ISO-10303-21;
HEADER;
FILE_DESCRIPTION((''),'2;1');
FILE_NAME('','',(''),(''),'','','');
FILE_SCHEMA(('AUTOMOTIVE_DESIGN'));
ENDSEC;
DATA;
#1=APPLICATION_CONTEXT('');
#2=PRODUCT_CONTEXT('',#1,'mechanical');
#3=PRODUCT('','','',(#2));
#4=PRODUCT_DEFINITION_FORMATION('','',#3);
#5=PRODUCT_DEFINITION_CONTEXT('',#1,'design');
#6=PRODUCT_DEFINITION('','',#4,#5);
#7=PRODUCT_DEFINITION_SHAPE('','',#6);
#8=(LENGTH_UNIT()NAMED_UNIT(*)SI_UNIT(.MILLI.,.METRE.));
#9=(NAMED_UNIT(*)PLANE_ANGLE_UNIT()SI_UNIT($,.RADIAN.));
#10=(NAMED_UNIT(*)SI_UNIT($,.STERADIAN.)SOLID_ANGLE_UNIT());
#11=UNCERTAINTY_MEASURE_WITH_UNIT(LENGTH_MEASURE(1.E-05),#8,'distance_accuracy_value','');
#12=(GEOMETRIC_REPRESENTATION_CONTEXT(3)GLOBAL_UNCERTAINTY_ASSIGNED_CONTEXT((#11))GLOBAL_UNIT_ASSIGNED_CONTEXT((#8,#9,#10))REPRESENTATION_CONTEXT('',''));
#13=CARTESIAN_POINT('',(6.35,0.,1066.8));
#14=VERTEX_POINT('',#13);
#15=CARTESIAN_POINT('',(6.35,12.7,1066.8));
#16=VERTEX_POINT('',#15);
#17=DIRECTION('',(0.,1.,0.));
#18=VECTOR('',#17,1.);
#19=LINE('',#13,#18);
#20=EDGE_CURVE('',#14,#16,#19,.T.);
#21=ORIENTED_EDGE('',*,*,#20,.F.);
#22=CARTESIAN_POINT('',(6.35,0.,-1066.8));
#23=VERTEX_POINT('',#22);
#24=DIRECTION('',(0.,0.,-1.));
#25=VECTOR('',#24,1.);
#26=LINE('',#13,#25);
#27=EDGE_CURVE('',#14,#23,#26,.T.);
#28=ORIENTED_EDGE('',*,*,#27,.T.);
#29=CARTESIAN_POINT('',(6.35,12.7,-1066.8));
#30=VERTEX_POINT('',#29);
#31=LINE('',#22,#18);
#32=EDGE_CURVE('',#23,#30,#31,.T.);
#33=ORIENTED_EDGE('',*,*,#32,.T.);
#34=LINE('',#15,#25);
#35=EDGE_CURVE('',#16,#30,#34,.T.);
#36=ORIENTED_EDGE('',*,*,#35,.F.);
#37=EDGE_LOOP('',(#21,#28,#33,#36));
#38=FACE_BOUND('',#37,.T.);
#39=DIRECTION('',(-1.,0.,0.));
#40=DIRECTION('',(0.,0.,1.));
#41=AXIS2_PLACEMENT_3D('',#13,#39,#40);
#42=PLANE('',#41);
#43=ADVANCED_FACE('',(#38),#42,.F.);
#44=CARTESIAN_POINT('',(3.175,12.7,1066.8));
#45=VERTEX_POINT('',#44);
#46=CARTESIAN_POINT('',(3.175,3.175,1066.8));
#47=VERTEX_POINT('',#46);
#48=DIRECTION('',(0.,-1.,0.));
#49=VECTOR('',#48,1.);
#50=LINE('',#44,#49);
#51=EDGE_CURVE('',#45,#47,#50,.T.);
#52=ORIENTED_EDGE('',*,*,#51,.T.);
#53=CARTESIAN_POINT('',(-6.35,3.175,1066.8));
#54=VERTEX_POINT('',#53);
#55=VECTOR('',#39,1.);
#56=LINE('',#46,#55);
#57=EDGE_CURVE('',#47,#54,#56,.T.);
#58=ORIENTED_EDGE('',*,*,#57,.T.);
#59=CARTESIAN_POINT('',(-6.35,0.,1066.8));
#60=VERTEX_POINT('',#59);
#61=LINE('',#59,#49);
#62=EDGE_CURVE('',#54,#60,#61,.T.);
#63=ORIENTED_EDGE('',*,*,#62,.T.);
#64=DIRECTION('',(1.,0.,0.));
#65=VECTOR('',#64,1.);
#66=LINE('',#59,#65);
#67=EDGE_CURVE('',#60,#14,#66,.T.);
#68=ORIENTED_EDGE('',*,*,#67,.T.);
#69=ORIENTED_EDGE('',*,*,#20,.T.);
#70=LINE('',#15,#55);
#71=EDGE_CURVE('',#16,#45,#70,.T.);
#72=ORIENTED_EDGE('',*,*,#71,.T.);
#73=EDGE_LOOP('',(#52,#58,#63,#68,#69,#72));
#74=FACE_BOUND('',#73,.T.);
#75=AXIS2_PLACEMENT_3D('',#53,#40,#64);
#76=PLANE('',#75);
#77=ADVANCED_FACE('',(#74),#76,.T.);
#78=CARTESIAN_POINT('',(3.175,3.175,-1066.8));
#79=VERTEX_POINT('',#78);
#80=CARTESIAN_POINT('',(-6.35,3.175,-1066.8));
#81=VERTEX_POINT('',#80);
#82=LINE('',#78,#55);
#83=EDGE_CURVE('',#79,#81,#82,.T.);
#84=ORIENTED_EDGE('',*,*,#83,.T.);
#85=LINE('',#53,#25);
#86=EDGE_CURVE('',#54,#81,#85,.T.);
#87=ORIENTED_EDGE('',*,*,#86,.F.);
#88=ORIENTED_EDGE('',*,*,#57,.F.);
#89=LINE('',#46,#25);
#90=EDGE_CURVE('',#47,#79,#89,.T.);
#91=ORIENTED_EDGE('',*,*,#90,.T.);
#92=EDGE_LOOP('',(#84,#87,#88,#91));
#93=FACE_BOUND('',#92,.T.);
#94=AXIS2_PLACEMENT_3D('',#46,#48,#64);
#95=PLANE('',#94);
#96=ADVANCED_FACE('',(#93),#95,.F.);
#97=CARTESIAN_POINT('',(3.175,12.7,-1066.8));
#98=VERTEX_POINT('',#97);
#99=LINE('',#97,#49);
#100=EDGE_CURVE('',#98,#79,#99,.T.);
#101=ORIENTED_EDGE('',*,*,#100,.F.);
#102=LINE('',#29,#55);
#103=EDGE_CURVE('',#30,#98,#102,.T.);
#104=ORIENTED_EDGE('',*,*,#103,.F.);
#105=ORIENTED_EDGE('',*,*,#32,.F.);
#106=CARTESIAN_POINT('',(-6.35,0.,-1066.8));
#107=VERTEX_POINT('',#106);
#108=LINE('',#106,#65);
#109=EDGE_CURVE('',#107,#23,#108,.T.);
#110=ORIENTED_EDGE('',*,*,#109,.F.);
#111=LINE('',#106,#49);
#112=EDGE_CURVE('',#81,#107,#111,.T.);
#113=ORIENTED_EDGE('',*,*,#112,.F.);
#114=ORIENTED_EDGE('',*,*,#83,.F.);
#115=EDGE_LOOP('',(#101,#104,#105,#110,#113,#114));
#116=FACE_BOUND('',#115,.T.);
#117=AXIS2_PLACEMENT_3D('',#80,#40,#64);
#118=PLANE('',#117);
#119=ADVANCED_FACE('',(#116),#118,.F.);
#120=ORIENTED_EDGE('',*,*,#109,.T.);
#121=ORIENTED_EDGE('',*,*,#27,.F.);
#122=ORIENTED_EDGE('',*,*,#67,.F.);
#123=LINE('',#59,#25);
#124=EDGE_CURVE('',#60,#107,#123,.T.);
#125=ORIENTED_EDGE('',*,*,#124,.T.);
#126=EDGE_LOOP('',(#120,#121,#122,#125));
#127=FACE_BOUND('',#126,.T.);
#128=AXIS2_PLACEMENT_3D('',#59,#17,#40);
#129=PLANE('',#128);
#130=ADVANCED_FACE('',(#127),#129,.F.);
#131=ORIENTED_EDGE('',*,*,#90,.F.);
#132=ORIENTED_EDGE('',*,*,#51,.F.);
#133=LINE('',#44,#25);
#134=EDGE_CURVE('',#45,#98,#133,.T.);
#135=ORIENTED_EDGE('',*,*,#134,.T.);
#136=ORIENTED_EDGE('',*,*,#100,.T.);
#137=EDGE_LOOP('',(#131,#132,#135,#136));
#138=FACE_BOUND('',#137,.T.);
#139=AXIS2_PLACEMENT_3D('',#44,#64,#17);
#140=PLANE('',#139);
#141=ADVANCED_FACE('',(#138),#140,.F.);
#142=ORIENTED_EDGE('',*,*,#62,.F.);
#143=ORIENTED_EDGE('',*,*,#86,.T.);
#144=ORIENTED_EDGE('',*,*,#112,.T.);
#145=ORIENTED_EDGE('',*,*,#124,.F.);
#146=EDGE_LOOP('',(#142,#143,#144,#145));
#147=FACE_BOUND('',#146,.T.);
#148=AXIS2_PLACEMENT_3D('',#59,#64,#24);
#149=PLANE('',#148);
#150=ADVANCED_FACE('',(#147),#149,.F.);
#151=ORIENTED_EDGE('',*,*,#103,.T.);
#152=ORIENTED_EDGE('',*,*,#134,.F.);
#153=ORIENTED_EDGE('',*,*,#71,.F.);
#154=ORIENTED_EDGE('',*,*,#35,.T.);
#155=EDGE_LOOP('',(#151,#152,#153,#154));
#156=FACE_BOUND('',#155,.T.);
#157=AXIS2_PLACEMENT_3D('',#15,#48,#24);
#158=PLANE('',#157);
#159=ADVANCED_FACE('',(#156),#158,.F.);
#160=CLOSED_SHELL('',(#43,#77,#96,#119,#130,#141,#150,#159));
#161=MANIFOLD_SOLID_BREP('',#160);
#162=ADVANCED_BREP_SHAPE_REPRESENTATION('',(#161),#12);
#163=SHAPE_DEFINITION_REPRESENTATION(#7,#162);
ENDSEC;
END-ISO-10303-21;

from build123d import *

# Parameters (mm, degrees)
BOSS_EXTRUDE1_DEPTH = 1066.8


with BuildPart() as part:
    # Sketch2 → Boss-Extrude1 (new body, symmetric)
    with BuildSketch(Plane.XY):
        Polygon((-6.35, 0), (6.35, 0), (6.35, 12.7), (3.175, 12.7), (3.175, 3.175), (-6.35, 3.175), align=None)
    extrude(amount=BOSS_EXTRUDE1_DEPTH, both=True)


solid = part.part
